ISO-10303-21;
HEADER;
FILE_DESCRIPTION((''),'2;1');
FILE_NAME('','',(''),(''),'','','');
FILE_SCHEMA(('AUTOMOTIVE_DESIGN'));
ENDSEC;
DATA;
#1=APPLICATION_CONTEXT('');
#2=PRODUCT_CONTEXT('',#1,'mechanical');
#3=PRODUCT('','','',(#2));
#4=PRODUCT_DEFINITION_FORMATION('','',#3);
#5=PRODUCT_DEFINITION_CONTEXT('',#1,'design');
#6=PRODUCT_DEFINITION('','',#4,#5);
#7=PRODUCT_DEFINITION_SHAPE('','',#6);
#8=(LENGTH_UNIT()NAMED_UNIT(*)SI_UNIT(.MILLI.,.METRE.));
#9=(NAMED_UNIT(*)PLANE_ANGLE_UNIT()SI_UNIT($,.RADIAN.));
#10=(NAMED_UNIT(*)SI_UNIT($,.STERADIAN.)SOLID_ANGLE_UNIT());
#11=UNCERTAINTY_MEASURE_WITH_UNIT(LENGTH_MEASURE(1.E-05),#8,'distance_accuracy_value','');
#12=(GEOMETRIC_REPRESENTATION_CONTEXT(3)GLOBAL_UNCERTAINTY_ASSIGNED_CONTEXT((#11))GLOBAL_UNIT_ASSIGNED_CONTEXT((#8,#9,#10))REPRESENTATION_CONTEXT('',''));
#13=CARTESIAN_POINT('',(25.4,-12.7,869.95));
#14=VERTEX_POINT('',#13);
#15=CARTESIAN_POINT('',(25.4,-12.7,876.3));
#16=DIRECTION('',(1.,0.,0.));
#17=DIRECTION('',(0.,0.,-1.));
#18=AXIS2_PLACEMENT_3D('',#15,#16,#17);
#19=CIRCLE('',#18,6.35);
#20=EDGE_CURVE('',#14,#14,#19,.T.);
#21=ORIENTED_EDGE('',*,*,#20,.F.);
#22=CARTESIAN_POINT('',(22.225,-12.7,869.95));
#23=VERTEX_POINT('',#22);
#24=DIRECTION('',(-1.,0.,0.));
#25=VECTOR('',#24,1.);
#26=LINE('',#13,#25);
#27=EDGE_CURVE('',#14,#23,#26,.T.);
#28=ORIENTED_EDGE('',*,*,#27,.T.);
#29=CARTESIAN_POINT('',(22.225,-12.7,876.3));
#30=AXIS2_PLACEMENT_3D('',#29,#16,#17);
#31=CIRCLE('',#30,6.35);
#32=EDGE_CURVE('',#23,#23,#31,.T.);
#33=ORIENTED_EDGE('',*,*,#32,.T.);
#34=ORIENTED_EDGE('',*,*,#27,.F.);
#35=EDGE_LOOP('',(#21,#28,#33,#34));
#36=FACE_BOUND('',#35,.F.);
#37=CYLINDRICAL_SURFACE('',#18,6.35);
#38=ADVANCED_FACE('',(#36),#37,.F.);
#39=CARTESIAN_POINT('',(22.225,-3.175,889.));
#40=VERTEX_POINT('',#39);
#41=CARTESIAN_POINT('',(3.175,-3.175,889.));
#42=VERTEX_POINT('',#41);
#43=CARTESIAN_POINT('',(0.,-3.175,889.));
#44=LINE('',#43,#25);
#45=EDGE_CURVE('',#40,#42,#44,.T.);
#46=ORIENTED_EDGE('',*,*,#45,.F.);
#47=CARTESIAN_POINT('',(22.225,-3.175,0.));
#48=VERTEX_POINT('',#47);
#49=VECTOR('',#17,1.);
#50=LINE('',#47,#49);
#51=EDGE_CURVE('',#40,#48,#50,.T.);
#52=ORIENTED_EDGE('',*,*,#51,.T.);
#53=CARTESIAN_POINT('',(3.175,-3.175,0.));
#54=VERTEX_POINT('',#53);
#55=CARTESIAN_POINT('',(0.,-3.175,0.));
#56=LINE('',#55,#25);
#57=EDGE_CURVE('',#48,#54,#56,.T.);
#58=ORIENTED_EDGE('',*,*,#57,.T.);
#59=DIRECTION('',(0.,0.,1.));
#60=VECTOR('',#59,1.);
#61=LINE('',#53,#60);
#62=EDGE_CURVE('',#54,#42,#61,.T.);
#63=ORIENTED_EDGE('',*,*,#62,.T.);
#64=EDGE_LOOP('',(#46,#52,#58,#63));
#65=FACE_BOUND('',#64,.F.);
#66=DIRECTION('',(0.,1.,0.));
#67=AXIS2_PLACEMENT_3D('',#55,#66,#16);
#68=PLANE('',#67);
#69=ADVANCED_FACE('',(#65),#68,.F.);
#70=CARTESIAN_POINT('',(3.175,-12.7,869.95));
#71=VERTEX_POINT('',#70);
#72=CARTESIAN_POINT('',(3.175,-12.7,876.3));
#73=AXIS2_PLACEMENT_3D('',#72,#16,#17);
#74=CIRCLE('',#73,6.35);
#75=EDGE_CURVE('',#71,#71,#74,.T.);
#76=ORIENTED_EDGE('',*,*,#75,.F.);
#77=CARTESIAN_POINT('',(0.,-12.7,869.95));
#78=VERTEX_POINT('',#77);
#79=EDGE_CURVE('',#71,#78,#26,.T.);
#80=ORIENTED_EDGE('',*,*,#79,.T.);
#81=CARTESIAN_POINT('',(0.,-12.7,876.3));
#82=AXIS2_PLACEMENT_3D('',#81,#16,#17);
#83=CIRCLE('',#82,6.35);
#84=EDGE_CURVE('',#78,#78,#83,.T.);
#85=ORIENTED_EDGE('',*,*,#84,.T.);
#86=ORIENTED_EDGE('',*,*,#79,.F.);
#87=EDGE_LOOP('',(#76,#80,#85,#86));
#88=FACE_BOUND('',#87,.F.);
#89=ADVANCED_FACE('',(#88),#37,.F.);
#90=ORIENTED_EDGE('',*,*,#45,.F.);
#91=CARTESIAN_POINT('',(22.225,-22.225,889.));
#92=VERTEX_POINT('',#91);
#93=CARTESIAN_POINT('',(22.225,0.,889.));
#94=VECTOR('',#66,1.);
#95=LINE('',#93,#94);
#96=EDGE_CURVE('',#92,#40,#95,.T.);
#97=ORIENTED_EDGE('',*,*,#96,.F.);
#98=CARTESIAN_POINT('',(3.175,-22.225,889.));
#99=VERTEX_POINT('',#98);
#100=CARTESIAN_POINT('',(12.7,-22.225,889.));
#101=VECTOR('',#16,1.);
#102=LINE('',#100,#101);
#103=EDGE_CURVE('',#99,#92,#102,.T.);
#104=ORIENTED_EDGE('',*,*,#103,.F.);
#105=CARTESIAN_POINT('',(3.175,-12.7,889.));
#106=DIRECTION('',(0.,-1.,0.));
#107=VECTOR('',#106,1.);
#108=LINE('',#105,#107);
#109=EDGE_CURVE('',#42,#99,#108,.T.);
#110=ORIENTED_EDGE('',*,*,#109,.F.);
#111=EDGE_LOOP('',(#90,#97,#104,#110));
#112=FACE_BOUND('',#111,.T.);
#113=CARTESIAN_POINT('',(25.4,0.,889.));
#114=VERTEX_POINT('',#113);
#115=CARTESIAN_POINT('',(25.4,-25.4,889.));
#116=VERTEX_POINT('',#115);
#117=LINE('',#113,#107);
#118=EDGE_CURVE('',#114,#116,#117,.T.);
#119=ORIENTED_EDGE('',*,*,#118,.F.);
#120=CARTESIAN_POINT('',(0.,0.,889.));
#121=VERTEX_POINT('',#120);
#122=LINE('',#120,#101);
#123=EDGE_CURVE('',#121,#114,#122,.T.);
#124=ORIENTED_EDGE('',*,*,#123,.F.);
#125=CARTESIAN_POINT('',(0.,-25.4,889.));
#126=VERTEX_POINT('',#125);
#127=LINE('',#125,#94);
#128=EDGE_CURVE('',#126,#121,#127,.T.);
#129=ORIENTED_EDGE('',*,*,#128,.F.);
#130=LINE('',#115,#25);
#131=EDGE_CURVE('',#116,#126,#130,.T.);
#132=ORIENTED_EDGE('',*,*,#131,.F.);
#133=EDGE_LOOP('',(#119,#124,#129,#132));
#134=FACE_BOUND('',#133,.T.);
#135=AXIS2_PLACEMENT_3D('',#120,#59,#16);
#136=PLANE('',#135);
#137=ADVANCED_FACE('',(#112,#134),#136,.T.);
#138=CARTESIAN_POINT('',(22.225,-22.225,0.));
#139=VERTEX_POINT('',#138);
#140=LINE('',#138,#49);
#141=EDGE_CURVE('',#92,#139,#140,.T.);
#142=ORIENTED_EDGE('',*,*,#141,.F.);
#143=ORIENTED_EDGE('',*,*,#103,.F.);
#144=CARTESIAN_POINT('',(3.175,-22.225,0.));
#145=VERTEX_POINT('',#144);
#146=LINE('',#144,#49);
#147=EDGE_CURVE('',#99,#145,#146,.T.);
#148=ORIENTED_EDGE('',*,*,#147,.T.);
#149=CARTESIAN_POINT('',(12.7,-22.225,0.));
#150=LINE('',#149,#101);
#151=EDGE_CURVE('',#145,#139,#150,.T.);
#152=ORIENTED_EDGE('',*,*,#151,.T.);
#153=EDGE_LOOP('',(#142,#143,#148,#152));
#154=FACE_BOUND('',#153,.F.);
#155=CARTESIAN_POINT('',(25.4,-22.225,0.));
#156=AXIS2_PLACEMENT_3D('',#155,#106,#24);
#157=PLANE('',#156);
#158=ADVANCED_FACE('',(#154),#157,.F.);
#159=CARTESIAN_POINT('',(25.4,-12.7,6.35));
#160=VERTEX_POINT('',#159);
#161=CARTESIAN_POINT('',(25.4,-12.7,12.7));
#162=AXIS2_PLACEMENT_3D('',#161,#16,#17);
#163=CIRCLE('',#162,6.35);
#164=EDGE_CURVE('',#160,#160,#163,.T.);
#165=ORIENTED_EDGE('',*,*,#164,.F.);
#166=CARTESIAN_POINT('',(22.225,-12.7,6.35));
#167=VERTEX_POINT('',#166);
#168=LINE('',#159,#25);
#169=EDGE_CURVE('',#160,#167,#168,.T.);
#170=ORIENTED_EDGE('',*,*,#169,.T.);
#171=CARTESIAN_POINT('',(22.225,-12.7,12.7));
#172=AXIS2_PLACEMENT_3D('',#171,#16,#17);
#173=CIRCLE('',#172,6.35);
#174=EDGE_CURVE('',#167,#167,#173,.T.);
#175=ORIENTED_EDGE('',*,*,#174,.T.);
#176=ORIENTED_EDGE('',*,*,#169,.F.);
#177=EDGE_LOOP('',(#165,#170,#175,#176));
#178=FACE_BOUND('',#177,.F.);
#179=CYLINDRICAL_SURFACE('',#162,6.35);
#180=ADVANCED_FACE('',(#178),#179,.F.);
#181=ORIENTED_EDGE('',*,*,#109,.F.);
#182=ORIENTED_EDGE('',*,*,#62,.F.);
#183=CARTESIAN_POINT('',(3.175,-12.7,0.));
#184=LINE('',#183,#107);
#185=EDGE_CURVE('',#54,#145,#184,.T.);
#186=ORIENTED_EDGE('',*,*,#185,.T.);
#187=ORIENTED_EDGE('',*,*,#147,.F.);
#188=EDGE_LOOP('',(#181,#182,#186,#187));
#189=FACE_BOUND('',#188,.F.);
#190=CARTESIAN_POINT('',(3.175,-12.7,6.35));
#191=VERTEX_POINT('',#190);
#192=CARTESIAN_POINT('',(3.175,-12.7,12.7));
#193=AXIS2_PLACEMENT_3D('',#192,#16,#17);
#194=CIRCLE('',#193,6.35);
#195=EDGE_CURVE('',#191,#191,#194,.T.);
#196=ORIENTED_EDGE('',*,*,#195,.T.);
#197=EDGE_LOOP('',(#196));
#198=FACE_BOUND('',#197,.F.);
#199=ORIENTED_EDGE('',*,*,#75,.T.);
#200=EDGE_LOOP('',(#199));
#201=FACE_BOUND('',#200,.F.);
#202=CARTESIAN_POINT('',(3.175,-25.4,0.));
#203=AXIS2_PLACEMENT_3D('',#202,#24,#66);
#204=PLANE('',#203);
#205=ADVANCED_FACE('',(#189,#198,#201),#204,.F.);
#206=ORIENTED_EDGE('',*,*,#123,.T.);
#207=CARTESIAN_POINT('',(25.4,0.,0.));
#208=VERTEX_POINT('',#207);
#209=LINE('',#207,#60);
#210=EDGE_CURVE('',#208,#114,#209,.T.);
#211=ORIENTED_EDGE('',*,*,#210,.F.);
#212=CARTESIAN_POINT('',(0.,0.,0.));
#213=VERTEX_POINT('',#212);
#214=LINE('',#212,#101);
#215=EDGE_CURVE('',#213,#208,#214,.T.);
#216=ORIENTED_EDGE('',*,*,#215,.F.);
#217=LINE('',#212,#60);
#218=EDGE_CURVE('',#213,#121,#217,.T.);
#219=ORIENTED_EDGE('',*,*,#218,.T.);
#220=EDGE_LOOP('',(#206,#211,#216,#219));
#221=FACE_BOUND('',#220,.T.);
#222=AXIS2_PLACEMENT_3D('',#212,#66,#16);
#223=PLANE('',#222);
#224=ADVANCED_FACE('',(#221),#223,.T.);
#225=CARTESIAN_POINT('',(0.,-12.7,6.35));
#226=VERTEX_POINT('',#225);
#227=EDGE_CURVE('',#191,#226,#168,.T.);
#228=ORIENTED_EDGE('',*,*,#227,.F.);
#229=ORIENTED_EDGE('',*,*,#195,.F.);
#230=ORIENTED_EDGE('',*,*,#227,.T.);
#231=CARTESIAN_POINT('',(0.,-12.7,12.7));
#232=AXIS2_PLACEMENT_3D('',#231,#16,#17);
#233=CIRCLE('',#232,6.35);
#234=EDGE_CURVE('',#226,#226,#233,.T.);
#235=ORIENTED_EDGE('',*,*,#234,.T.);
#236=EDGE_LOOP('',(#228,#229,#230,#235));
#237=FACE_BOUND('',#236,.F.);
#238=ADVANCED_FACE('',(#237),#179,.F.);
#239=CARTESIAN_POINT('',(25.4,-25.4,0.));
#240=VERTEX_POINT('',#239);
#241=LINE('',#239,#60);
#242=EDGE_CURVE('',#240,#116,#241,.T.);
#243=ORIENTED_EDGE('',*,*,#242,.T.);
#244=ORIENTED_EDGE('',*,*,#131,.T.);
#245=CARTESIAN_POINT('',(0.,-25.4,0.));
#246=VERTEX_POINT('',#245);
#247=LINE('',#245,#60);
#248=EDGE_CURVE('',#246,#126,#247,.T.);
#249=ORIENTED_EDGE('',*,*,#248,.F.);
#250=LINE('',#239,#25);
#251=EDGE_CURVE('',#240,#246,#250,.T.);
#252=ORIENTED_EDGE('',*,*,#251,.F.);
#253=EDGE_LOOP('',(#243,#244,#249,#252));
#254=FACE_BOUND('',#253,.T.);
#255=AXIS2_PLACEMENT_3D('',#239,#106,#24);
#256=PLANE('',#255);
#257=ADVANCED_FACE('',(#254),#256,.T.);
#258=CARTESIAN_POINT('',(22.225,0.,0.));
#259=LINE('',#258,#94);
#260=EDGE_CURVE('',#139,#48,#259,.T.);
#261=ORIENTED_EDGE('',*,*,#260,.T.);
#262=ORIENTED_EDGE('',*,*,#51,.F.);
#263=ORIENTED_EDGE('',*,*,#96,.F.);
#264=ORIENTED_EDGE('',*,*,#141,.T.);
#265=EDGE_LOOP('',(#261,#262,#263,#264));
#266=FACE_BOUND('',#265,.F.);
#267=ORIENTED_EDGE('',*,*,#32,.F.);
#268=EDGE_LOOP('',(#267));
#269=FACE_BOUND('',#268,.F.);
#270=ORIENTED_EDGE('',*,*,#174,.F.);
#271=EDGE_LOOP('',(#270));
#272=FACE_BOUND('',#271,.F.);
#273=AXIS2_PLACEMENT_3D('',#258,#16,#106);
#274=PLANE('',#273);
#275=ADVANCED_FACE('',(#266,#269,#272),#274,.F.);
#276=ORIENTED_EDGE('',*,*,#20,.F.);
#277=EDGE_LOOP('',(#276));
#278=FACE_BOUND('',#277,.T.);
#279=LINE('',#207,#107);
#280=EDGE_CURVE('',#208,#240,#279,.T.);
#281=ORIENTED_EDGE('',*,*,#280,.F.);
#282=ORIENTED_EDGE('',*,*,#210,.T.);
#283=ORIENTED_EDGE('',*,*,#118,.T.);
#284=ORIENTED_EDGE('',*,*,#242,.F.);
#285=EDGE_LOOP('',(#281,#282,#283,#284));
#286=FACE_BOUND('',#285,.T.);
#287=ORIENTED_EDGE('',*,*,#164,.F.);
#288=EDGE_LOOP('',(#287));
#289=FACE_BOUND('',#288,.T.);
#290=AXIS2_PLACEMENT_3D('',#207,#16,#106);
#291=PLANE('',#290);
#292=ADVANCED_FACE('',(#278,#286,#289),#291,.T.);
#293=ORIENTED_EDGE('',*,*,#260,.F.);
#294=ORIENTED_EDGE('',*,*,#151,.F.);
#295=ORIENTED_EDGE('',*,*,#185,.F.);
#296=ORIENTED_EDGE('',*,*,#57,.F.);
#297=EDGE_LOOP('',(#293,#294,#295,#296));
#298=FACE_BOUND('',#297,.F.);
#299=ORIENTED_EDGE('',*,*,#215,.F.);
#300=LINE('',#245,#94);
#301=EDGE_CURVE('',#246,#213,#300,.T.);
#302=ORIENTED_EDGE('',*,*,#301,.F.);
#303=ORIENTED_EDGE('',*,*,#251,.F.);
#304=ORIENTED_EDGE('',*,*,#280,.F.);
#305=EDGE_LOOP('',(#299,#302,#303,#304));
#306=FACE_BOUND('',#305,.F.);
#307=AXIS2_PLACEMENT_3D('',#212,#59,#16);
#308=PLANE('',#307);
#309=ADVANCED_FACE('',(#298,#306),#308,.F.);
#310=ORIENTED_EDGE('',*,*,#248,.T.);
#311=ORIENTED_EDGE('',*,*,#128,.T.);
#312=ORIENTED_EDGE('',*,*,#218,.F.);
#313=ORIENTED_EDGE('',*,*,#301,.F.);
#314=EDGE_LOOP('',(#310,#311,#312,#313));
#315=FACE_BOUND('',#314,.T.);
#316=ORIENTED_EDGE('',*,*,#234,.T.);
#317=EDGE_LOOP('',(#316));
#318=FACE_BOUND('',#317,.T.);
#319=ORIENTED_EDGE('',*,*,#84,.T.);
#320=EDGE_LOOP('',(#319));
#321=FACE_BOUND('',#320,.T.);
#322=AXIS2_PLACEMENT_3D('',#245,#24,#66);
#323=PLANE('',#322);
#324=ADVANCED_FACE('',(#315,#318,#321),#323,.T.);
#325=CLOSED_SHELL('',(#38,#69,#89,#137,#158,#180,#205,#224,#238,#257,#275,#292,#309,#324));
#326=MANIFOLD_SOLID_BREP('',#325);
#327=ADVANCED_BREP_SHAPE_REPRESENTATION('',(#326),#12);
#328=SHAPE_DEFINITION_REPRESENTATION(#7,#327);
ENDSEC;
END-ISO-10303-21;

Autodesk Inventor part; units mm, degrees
ref_plane "YZ Plane" through (0, 0, 0) normal (1, 0, 0) x (0, 1, 0)
ref_plane "XZ Plane" through (0, 0, 0) normal (0, 1, 0) x (-1, 0, 0)
ref_plane "XY Plane" through (0, 0, 0) normal (0, 0, 1) x (1, 0, 0)
sketch "Sketch1" plane through (0, 0, 0) normal (0, 0, 1) x (1, 0, 0)
  line L0 (0, 0) -> (25.4, 0)
  line L1 (25.4, 0) -> (25.4, -25.4)
  line L2 (25.4, -25.4) -> (0, -25.4)
  line L3 (0, -25.4) -> (0, 0)
  dimension "d0" = 25.4
  dimension "d1" = 25.4
extrude "Extrusion1" add sketch "Sketch1" along normal blind 889
shell "Shell1" thickness 3.175 removed faces 2 at (8.4667, -8.4667, 0) at (8.4667, -8.4667, 889)
sketch "Sketch2" plane through (25.4, -25.4, 0) normal (1, 0, 0) x (0, 0, -1)
  circle A0 centre (-12.7, 12.7) radius 6.35
  line L0 (0, 25.4) -> (-889, 25.4) projected
  line L1 (0, 25.4) -> (0, 0) projected
  circle A1 centre (-876.3, 12.7) radius 6.35
  line L2 (-889, 0) -> (-889, 25.4) projected
  dimension "d5" = 12.7
  dimension "d6" = 12.7
  dimension "d7" = 12.7
  dimension "d10" = 12.7
  dimension "d11" = 12.7
  dimension "d12" = 12.7
extrude "Extrusion2" cut sketch "Sketch2" against normal blind 889
properties part number "Kermit Frame 16"
